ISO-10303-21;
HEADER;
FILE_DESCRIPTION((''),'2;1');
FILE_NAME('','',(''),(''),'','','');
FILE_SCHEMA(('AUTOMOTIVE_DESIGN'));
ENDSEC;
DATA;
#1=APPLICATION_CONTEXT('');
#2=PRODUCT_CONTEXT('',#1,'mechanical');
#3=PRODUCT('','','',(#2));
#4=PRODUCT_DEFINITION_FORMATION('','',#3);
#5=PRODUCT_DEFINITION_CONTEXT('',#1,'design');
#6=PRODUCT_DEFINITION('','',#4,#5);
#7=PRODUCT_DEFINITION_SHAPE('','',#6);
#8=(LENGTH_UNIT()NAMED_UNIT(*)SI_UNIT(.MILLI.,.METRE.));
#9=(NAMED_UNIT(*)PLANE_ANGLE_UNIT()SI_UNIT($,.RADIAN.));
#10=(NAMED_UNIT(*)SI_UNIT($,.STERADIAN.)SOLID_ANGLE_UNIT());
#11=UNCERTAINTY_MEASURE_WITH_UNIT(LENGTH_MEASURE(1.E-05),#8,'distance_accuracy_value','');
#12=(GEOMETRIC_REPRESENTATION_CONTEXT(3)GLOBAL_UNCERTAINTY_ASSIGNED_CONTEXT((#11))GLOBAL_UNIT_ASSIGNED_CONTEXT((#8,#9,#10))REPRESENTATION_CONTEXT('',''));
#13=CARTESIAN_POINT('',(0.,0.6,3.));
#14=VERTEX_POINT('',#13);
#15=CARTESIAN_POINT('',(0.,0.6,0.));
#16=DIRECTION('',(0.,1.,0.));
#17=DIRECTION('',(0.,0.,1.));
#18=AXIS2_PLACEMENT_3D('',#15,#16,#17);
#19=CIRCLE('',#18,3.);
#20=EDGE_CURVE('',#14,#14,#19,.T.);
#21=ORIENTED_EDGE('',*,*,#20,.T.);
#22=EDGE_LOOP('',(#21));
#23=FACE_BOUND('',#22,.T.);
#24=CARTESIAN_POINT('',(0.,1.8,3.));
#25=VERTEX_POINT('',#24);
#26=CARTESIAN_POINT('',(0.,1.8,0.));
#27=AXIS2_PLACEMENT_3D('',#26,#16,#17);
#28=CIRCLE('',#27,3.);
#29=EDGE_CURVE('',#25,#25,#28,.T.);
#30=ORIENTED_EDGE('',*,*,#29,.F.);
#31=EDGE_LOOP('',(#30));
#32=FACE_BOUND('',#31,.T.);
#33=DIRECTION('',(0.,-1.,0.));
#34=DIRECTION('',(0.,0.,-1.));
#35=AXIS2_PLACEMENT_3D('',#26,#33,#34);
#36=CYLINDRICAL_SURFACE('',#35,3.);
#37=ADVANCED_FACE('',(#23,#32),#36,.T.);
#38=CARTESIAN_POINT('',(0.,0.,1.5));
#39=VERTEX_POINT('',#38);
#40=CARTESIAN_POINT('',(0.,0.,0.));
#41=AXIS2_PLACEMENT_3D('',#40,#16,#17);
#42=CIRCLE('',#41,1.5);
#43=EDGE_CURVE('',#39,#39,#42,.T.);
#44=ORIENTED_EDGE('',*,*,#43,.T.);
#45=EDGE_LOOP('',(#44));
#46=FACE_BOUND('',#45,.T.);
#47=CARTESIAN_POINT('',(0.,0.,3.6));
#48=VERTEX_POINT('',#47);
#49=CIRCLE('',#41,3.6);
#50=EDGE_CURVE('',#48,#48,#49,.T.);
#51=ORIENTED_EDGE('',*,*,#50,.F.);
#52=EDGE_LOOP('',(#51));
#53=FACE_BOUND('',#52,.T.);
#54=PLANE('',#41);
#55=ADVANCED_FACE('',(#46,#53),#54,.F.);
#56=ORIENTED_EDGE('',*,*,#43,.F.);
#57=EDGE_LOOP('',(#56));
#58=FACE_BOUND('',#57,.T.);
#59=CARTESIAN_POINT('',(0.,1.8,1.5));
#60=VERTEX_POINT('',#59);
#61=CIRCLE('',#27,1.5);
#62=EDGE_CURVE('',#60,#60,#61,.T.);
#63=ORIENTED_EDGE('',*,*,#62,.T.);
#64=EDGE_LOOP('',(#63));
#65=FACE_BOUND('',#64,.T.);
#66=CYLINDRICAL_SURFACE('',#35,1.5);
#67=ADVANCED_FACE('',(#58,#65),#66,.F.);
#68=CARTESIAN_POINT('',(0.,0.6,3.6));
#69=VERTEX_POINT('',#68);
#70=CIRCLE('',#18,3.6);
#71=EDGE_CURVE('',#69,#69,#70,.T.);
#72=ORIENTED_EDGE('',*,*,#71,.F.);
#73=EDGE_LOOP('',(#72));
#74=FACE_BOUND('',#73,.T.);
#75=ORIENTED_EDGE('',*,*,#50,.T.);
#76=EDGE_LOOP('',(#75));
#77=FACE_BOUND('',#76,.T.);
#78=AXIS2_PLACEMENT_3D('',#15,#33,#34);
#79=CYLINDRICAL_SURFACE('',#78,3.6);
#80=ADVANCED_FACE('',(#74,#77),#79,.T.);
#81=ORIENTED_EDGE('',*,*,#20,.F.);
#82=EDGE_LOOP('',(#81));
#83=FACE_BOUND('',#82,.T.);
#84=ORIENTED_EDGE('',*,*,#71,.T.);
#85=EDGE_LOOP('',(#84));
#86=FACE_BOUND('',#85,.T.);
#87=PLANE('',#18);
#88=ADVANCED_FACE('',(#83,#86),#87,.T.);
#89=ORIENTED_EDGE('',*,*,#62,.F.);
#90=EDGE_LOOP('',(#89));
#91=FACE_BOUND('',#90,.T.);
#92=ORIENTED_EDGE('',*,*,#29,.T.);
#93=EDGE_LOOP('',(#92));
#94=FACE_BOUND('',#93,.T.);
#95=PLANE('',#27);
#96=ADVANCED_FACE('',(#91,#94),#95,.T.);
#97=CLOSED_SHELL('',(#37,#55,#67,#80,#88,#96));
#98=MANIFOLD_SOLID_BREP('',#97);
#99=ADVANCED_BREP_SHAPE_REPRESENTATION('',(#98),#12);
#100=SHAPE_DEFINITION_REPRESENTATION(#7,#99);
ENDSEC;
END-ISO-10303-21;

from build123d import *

# Parameters (mm, degrees)
SKETCH_1_R      = 3.6
SKETCH_1_R_2    = 3
EXTRUDE_1_DEPTH = 0.6
SKETCH_1_3_R    = 3
SKETCH_1_3_R_2  = 1.5
EXTRUDE_2_DEPTH = 1.8


with BuildPart() as part:
    # 草图1 → 凸台-拉伸1 (new body)
    with BuildSketch(Plane(origin=(0, 0, 0), x_dir=(1, 0, 0), z_dir=(0, 1, 0))):
        Circle(SKETCH_1_R)
        Circle(SKETCH_1_R_2, mode=Mode.SUBTRACT)
    extrude(amount=EXTRUDE_1_DEPTH)

    # 草图1<3> → 凸台-拉伸2 (add)
    with BuildSketch(Plane(origin=(0, 0, 0), x_dir=(1, 0, 0), z_dir=(0, 1, 0))):
        Circle(SKETCH_1_3_R)
        Circle(SKETCH_1_3_R_2, mode=Mode.SUBTRACT)
    extrude(amount=EXTRUDE_2_DEPTH)


solid = part.part
